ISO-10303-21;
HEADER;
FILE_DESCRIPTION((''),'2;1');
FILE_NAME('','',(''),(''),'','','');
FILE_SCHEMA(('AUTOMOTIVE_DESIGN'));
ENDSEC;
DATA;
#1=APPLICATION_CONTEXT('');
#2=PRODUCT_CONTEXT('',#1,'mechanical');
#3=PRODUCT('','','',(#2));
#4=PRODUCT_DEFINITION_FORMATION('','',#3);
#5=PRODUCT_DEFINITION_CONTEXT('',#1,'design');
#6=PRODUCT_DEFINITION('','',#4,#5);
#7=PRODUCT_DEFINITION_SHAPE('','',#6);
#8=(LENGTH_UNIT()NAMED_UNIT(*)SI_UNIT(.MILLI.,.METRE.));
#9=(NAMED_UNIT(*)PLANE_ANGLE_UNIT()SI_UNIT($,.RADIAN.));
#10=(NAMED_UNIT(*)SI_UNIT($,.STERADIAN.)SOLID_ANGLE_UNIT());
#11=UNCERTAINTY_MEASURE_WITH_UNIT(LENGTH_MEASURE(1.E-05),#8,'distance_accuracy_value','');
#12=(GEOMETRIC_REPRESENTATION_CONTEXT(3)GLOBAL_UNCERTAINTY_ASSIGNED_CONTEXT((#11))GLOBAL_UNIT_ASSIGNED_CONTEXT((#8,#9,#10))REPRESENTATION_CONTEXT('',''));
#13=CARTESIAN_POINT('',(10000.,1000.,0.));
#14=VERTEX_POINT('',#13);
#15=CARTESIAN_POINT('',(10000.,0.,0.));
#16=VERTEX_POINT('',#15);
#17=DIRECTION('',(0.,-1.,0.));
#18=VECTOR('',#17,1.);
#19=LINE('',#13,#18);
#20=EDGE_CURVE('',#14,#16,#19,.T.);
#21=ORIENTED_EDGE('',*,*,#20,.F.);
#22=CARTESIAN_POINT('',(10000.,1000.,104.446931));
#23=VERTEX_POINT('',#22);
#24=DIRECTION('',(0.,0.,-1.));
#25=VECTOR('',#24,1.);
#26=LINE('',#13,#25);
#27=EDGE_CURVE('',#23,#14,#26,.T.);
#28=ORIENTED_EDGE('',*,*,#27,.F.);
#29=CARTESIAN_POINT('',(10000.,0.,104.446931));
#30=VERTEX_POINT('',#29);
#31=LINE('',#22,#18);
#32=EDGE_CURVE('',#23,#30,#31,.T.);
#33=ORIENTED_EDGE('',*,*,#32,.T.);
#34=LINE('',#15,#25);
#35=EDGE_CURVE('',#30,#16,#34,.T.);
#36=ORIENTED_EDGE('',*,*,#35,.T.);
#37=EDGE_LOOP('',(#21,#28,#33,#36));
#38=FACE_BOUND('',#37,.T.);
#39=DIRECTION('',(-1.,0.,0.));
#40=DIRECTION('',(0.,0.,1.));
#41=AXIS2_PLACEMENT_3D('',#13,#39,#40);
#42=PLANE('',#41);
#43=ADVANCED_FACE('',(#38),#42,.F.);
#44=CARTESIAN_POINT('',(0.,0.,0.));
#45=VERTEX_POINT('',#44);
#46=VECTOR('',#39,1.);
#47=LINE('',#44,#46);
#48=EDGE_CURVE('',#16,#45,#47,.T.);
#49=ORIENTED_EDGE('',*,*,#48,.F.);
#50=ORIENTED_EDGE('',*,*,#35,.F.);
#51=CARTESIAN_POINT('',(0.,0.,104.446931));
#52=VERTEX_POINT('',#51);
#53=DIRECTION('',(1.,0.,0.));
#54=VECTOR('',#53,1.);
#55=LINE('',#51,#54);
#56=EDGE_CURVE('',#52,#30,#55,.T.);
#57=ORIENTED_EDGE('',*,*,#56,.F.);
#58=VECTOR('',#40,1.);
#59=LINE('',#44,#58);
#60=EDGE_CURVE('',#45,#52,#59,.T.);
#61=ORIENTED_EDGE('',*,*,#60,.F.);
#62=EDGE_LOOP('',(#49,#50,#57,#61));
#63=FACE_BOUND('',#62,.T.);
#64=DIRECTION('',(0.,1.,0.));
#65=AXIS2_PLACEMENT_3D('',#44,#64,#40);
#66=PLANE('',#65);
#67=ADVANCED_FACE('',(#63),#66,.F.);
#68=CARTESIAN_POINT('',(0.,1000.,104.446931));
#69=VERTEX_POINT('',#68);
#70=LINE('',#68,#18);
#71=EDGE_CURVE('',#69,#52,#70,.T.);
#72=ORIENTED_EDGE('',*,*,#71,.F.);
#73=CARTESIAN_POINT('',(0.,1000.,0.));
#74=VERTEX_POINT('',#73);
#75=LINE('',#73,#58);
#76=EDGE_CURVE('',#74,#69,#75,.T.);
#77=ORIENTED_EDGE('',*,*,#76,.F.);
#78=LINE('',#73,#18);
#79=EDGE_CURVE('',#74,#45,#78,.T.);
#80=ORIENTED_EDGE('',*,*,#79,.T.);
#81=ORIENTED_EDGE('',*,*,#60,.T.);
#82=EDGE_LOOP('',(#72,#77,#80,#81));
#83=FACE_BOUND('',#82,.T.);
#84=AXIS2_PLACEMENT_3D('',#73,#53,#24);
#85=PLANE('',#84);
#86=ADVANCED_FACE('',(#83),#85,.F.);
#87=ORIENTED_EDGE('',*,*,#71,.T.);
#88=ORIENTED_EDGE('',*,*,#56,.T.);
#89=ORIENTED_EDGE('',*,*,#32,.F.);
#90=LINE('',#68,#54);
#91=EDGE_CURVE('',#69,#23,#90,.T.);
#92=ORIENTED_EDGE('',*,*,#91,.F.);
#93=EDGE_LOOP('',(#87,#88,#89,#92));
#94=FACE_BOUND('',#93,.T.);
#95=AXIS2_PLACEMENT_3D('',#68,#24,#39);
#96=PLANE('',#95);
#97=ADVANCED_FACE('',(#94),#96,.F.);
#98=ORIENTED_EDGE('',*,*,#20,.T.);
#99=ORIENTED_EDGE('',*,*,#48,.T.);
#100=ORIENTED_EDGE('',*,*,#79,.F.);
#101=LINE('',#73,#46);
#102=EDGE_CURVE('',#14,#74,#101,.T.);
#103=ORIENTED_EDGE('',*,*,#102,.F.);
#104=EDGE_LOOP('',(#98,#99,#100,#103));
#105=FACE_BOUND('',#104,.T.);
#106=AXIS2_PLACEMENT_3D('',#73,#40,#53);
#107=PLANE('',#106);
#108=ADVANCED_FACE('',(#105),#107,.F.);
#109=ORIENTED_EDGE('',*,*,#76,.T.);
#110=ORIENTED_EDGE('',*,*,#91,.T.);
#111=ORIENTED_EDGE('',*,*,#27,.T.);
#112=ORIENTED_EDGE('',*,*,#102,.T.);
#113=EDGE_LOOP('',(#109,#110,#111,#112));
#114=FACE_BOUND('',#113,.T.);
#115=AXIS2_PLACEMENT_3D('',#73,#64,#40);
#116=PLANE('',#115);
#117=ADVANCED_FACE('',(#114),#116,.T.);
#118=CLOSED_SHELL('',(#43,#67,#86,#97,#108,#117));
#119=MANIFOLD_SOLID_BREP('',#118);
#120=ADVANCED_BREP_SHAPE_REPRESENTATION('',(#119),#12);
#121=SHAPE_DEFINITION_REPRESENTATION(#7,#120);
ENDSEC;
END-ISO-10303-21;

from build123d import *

# Parameters (mm, degrees)
SKETCH_1_W      = 10000
SKETCH_1_H      = 104.446930851
EXTRUDE_1_DEPTH = 1000


with BuildPart() as part:
    # 草图1 → 凸台-拉伸1 (new body)
    with BuildSketch(Plane(origin=(0, 0, 0), x_dir=(1, 0, 0), z_dir=(0, 1, 0))):
        with Locations((5000, -52.223465426)):
            Rectangle(SKETCH_1_W, SKETCH_1_H)
    extrude(amount=EXTRUDE_1_DEPTH)


solid = part.part
